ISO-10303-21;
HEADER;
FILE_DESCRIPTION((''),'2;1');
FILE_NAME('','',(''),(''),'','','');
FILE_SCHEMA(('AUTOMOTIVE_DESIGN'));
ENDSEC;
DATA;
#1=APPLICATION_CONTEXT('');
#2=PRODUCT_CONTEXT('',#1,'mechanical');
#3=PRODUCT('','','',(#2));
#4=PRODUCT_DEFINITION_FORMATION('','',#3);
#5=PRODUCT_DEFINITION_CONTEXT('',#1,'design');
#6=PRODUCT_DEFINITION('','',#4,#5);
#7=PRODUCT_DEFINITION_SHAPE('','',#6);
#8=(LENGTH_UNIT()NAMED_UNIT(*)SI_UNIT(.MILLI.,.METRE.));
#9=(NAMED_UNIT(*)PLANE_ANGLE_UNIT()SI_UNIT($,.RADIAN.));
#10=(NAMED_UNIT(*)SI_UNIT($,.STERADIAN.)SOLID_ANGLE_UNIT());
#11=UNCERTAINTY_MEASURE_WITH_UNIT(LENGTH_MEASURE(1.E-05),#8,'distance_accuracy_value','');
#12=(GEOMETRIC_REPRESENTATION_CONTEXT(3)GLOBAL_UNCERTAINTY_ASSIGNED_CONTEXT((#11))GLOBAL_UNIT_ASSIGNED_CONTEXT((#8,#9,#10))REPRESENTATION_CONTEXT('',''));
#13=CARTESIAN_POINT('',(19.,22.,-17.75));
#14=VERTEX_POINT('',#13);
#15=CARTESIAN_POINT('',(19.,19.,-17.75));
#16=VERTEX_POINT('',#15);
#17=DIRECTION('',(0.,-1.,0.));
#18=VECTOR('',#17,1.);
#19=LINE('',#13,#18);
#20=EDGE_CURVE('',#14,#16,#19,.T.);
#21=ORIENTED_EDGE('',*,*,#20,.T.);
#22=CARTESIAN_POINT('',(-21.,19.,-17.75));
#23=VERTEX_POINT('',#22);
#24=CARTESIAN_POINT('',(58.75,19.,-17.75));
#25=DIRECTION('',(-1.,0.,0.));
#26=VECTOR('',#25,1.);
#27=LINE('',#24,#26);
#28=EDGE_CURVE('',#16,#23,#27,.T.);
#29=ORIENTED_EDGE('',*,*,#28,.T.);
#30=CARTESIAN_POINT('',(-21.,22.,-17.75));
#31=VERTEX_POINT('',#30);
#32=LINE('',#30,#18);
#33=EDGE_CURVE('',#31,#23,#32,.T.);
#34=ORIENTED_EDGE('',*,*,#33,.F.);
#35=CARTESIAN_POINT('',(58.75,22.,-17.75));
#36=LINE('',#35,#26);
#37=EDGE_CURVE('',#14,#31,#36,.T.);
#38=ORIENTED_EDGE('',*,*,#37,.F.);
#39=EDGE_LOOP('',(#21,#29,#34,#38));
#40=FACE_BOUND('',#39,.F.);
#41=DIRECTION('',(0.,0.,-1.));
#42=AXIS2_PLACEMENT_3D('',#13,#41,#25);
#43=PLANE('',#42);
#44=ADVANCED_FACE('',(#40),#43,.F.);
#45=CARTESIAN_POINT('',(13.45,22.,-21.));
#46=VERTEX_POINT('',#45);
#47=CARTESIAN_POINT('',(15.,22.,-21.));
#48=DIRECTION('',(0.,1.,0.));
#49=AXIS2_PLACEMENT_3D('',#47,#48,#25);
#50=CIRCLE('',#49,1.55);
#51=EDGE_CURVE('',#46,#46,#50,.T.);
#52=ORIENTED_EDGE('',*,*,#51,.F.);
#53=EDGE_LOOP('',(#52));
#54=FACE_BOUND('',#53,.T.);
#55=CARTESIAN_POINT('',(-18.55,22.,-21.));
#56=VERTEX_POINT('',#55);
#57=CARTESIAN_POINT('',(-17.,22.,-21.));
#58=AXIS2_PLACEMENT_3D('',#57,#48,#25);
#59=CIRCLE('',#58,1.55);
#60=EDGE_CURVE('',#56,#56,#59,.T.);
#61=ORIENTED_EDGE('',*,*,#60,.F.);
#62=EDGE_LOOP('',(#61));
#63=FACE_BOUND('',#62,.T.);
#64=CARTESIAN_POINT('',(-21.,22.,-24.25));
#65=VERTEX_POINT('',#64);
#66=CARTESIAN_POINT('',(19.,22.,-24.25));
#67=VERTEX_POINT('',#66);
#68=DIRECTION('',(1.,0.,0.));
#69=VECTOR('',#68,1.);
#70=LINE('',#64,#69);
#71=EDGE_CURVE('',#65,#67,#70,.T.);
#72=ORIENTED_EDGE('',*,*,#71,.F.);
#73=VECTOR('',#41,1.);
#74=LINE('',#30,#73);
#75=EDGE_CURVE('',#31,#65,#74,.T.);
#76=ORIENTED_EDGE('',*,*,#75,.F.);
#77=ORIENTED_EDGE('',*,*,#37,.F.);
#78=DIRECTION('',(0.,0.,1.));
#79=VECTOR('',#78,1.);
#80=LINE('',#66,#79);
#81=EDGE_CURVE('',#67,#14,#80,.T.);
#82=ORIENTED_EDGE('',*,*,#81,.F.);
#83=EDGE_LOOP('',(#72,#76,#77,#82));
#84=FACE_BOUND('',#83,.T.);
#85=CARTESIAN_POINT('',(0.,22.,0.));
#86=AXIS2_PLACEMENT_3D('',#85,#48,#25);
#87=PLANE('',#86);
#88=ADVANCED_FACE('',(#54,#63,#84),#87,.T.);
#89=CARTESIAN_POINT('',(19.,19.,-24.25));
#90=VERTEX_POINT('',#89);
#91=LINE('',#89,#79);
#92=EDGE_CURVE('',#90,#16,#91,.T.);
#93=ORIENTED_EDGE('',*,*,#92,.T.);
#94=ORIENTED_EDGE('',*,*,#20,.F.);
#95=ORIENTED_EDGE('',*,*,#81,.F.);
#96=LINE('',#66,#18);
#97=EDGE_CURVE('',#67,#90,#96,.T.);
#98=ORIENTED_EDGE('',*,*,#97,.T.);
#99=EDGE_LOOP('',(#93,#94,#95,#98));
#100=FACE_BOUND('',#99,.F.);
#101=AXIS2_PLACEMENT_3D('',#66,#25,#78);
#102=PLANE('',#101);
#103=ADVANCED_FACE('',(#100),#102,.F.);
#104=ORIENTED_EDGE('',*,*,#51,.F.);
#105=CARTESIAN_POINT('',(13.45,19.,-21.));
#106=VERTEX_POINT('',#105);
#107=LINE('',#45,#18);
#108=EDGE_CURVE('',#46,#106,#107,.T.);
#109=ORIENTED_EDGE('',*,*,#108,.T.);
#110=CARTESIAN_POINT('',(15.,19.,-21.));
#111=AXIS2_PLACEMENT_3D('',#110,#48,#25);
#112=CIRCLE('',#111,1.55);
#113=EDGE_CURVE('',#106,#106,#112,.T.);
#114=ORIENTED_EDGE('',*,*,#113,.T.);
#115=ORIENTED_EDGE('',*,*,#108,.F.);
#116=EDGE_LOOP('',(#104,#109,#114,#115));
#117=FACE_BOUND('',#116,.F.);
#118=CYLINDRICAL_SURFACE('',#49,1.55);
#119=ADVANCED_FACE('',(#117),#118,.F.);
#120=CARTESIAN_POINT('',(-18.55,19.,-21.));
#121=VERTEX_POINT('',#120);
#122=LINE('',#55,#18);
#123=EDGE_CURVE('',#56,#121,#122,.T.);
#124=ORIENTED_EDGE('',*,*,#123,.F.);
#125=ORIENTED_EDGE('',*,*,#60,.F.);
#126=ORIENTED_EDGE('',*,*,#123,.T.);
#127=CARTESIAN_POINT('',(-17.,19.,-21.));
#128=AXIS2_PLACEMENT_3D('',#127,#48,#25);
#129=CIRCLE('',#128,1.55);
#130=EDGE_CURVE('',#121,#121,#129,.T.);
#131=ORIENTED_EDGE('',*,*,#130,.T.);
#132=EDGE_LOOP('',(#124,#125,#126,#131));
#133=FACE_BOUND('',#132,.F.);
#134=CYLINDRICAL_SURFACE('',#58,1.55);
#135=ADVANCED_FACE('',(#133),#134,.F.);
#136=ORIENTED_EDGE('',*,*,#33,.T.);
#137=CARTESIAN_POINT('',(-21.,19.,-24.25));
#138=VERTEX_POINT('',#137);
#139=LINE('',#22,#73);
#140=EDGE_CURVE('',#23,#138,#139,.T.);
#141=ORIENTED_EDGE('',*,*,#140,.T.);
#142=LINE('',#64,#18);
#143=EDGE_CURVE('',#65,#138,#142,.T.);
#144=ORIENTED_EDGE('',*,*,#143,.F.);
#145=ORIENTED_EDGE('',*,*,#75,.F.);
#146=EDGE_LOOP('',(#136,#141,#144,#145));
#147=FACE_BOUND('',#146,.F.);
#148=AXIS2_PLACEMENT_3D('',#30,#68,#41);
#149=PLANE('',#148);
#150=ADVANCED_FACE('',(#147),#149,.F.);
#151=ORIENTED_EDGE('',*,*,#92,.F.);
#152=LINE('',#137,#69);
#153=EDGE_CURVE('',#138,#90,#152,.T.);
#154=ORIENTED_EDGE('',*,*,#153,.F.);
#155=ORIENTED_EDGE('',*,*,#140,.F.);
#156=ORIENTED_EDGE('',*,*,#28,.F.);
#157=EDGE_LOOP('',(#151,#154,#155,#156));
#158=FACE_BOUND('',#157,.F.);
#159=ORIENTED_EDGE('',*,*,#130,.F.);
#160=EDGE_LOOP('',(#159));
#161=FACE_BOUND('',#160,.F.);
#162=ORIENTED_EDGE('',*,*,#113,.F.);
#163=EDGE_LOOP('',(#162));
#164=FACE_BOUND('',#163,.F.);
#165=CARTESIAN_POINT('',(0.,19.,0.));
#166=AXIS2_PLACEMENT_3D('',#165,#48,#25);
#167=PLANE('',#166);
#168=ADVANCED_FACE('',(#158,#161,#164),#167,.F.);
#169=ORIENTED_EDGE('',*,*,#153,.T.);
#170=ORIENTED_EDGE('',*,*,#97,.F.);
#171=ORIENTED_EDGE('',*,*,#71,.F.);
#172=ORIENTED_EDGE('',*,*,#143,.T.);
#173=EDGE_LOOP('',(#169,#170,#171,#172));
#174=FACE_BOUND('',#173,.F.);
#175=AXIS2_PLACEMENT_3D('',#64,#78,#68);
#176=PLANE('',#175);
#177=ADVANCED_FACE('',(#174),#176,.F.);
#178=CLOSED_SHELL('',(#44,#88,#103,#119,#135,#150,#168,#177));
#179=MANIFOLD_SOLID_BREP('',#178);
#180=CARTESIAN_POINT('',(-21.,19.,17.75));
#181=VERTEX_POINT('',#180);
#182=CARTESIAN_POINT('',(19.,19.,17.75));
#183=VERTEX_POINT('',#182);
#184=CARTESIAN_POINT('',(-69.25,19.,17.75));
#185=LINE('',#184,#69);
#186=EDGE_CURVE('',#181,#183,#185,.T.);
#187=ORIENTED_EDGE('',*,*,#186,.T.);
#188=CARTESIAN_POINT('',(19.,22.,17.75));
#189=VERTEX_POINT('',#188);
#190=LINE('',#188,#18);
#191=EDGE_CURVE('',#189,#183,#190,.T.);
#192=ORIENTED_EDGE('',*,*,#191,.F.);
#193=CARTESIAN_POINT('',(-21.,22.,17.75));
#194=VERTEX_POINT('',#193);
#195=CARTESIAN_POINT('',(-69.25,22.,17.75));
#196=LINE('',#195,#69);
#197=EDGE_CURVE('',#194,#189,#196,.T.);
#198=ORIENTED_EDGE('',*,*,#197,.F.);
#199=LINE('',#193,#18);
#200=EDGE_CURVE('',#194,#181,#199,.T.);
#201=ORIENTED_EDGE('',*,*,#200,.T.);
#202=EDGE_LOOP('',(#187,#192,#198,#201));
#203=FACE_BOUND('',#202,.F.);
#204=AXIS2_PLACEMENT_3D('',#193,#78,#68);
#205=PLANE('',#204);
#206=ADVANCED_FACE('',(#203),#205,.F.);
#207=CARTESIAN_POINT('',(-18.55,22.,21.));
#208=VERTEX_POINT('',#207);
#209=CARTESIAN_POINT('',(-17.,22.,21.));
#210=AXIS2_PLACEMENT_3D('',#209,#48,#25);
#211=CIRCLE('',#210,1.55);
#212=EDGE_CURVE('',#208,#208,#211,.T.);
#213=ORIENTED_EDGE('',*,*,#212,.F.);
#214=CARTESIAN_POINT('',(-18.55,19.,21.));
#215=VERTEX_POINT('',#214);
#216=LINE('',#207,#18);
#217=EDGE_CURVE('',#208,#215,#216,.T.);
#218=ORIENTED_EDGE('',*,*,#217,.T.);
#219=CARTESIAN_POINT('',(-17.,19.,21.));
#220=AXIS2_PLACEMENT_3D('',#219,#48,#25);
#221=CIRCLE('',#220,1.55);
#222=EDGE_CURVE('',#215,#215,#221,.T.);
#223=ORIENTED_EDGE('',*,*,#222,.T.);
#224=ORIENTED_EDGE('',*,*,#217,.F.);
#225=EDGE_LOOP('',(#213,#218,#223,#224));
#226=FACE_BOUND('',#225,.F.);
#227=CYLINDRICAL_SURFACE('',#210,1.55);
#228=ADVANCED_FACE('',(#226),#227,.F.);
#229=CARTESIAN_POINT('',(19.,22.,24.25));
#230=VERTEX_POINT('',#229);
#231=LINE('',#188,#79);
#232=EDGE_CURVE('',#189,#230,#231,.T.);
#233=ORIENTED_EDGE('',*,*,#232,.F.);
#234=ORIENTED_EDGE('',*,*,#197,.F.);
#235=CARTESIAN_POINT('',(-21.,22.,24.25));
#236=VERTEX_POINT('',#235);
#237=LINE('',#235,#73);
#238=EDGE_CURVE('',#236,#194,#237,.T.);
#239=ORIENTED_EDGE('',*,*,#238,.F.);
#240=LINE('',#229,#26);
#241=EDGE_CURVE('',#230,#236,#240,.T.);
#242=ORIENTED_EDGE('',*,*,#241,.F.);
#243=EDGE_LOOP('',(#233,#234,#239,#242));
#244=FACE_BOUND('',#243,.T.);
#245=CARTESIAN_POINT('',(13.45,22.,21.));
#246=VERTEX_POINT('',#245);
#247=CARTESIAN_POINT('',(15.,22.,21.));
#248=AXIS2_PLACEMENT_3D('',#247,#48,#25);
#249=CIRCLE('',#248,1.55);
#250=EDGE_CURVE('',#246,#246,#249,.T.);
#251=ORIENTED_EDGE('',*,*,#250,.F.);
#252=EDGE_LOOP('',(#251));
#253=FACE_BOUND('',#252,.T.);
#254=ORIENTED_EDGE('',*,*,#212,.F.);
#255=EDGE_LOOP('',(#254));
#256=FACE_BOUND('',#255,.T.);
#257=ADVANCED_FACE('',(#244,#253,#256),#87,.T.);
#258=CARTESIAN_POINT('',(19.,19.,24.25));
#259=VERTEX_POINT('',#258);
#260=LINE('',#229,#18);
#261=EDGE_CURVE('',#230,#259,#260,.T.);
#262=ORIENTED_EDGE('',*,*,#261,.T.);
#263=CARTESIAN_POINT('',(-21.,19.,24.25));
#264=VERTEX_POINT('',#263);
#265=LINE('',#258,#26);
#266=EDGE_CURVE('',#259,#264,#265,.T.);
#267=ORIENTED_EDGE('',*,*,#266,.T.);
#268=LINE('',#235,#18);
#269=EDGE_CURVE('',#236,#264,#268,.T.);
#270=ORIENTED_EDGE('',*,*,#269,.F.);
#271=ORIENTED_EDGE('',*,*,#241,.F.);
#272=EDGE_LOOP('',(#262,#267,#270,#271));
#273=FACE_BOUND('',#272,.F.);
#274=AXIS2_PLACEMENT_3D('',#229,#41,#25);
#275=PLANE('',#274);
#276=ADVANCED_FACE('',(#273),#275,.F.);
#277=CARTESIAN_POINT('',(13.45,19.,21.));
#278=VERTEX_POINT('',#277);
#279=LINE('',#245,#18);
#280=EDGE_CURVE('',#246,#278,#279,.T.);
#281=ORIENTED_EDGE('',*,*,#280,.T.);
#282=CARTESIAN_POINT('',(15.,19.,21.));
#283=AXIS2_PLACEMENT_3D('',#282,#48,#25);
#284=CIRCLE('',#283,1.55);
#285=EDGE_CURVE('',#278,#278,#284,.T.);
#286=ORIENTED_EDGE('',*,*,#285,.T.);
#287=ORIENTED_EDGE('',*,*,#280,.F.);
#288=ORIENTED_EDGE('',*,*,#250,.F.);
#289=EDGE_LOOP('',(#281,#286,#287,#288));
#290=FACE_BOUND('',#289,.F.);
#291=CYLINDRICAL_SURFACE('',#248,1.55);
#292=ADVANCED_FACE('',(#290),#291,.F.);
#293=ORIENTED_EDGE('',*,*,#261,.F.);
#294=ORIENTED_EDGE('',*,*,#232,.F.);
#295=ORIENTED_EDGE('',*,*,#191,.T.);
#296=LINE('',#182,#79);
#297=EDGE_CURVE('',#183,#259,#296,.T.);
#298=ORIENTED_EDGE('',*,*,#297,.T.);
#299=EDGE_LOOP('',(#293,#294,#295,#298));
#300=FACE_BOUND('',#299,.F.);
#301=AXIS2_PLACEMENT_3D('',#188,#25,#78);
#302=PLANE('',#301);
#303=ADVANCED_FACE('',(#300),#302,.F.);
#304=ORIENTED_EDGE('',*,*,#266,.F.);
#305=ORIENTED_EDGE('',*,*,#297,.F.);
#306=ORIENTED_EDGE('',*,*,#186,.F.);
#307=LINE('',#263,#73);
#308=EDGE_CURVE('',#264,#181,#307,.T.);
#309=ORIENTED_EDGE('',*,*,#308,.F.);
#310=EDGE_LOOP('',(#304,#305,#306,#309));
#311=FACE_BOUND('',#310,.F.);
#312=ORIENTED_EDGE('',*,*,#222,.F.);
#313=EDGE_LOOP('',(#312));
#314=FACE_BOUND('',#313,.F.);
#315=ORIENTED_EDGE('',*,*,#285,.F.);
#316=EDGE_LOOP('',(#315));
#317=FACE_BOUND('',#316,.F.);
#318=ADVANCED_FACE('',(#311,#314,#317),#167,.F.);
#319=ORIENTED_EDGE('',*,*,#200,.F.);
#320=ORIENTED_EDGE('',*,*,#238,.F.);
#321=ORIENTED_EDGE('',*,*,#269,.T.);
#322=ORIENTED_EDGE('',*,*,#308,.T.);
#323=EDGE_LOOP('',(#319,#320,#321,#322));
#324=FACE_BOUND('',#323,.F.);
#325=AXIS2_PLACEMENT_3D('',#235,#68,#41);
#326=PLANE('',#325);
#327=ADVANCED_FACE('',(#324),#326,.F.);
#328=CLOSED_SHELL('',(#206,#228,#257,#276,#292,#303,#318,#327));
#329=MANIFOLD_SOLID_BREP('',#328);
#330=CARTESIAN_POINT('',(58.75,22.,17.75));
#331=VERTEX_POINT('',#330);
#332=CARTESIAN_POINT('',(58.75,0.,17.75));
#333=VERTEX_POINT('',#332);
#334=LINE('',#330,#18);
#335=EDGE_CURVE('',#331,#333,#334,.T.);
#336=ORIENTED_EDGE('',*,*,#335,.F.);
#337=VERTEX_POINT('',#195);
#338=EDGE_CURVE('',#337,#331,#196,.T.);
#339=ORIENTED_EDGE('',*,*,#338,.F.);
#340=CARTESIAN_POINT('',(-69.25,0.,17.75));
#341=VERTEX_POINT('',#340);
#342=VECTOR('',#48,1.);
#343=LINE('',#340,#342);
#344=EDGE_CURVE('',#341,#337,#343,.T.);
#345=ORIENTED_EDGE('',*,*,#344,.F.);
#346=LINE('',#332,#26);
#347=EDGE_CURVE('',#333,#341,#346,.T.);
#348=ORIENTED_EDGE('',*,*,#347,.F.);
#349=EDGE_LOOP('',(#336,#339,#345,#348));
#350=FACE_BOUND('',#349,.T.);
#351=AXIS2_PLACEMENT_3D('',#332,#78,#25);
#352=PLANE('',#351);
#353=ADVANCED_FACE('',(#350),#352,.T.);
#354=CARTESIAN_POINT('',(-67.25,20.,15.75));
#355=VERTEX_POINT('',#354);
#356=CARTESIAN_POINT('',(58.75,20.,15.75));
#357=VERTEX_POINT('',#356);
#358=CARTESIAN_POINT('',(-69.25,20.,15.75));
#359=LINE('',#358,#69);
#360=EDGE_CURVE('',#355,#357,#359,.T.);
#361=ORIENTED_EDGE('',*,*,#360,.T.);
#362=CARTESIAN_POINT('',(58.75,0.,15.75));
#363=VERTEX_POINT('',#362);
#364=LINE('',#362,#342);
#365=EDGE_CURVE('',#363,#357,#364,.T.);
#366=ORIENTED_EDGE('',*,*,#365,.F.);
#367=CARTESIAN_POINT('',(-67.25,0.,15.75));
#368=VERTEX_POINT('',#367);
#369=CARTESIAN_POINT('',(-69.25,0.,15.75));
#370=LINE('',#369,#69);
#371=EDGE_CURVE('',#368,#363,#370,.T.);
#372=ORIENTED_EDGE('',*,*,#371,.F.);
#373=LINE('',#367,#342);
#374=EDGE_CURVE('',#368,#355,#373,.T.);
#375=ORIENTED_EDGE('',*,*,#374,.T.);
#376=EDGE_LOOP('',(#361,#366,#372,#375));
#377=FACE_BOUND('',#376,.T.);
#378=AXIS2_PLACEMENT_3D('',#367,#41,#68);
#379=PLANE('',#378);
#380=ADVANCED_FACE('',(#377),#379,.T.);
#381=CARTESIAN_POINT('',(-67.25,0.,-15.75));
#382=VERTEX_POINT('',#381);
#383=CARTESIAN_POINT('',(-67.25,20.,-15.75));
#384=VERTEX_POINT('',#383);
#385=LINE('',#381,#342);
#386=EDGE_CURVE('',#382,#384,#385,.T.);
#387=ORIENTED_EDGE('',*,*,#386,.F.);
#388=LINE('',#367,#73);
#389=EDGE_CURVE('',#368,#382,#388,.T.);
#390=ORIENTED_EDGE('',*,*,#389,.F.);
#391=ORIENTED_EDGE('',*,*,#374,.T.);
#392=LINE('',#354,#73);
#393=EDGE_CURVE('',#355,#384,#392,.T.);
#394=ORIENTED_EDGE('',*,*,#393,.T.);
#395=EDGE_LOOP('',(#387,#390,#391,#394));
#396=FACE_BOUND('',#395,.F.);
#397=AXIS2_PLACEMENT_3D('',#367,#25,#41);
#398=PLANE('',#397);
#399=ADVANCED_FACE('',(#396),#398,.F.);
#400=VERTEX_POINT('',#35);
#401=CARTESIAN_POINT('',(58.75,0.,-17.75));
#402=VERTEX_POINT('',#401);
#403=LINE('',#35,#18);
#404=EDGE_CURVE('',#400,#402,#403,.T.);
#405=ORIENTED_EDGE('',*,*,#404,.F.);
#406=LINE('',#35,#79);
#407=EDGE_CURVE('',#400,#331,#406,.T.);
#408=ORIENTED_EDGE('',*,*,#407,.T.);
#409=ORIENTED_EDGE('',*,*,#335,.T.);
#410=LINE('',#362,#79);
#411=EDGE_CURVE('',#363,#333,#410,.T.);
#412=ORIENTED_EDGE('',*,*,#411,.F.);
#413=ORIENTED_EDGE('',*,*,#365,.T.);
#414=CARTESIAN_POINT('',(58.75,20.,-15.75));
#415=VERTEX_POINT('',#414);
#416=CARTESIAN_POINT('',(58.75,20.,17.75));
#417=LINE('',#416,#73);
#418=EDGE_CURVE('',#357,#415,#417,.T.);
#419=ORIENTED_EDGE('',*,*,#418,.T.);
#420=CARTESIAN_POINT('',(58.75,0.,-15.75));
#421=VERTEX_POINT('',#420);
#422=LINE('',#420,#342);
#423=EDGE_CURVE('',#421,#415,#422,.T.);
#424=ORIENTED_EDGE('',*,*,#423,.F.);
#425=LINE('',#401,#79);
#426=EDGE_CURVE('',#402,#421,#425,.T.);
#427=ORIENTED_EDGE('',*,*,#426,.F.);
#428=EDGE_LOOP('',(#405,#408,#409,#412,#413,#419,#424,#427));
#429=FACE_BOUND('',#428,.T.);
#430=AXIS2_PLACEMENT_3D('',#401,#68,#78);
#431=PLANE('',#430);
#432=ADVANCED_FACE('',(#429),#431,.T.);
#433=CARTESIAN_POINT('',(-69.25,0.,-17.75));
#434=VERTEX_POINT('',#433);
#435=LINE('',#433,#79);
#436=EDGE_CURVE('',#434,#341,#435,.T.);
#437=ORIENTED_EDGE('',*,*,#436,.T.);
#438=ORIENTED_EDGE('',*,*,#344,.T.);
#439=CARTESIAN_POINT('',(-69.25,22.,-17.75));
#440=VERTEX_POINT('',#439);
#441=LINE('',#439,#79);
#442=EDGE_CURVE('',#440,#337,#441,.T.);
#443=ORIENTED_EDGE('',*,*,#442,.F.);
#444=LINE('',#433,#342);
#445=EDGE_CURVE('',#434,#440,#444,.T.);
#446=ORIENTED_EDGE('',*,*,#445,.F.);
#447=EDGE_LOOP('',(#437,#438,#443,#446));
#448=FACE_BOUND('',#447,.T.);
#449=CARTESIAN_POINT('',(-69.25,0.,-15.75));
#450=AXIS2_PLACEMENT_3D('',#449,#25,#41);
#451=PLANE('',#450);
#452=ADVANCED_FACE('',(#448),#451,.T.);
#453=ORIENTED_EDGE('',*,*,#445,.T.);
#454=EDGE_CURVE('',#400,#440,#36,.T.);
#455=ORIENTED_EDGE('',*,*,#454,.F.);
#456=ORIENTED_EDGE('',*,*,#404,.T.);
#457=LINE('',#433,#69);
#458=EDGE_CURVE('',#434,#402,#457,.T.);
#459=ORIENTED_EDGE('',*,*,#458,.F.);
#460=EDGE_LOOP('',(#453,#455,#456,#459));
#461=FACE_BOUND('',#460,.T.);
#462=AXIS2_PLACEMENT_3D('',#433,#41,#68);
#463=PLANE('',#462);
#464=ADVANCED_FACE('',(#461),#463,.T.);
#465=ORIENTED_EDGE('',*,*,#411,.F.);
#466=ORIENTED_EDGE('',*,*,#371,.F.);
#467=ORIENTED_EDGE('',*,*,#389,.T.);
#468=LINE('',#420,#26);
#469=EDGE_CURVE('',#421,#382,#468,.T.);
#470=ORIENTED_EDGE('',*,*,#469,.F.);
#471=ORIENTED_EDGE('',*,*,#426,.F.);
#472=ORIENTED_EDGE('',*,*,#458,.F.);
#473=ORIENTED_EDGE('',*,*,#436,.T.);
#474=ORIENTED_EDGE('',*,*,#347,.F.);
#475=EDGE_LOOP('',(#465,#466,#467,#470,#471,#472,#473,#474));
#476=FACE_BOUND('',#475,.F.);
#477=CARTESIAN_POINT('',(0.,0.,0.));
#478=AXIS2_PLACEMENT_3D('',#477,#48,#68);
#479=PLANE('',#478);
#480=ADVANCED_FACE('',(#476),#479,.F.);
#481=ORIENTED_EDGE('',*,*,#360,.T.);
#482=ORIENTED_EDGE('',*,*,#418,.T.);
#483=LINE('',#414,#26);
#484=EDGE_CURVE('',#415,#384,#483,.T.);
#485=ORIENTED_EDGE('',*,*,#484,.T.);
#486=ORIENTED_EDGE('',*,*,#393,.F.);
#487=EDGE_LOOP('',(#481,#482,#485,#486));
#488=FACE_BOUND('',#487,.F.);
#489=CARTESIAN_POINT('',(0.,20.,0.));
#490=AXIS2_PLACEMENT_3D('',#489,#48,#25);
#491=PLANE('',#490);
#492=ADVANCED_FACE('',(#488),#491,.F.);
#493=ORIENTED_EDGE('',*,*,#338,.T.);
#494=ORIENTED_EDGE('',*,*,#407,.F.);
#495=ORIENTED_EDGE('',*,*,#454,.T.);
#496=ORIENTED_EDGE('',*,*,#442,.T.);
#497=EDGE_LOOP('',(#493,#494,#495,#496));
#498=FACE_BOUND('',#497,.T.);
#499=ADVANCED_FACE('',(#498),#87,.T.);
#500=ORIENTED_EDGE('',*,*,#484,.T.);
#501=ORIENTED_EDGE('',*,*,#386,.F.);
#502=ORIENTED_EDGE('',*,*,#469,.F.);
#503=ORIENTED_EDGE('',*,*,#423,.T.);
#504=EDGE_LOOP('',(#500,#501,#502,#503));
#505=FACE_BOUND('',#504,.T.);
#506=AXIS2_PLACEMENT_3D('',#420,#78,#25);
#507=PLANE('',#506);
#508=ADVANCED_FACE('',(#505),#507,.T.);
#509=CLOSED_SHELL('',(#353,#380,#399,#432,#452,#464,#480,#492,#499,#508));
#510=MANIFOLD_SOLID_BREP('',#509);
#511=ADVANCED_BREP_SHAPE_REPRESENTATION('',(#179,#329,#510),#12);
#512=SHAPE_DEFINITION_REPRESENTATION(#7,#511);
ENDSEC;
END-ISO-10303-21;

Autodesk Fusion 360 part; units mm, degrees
sketch "base" plane through (0, 0, 0) normal (0, 1, 0) x (1, 0, 0)
  line L0 (-67, 15.5) -> (67, 15.5) construction
  line L1 (67, 15.5) -> (67, -15.5) construction
  line L2 (67, -15.5) -> (-67, -15.5) construction
  line L3 (-67, -15.5) -> (-67, 15.5) construction
  line L4 (0, 15.5) -> (0, -15.5) construction
  line L5 (-67, 0) -> (67, 0) construction
  line L6 (-69.25, 17.75) -> (58.75, 17.75)
  line L7 (58.75, 17.75) -> (58.75, 15.75)
  line L8 (58.75, 15.75) -> (-69.25, 15.75)
  line L9 (-69.25, 15.75) -> (-69.25, 17.75)
  line L10 (-69.25, -15.75) -> (58.75, -15.75)
  line L11 (58.75, -15.75) -> (58.75, -17.75)
  line L12 (58.75, -17.75) -> (-69.25, -17.75)
  line L13 (-69.25, -17.75) -> (-69.25, -15.75)
  line L14 (-69.25, 15.75) -> (-69.25, -15.75)
  line L15 (-67.25, -15.75) -> (-67.25, 15.75)
  dimension "d1" = 134
  dimension "d2" = 31
  dimension "d3" = 128
  dimension "d4" = 2
  dimension "d5" = 2
  dimension "margin" = 0.25
  dimension "d7" = 0.25
  dimension "d8" = 0.25
extrude "Extrude1" add sketch "base" along normal blind 20 makes body 1
sketch "top" plane through (0, 20, 0) normal (0, 1, 0) x (-1, 0, 0)
  line L0 (-58.75, 15.75) -> (67.25, 15.75)
  line L1 (67.25, 15.75) -> (67.25, -15.75)
  line L2 (67.25, -15.75) -> (-58.75, -15.75)
  line L3 (-58.75, -15.75) -> (-58.75, -17.75)
  line L4 (-58.75, -17.75) -> (69.25, -17.75)
  line L5 (69.25, -17.75) -> (69.25, 17.75)
  line L6 (69.25, 17.75) -> (-58.75, 17.75)
  line L7 (-58.75, 17.75) -> (-58.75, 15.75)
  line L8 (69.25, -17.75) -> (-58.75, -17.75)
  line L9 (-58.75, -17.75) -> (-58.75, 17.75)
  line L10 (-58.75, 17.75) -> (69.25, 17.75)
  line L11 (69.25, 17.75) -> (69.25, -17.75)
extrude "Extrude2" add sketch "top" along normal blind 2 bodies 1
sketch "wing supports" plane through (0, 22, 0) normal (0, 1, 0) x (-1, 0, 0)
  line L0 (69.25, 17.75) -> (-58.75, 17.75)
  line L1 (-58.75, 17.75) -> (-58.75, -17.75)
  line L2 (-58.75, -17.75) -> (69.25, -17.75)
  line L3 (69.25, -17.75) -> (69.25, 17.75)
  line L4 (21, -24.25) -> (-19, -24.25)
  line L5 (-19, -24.25) -> (-19, -17.75)
  line L6 (-19, -17.75) -> (21, -17.75)
  line L7 (21, -17.75) -> (21, -24.25)
  line L8 (21, 17.75) -> (-19, 17.75)
  line L9 (-19, 17.75) -> (-19, 24.25)
  line L10 (-19, 24.25) -> (21, 24.25)
  line L11 (21, 24.25) -> (21, 17.75)
  circle A0 centre (17, 21) radius 1.55
  circle A1 centre (-15, 21) radius 1.55
  line L12 (17, 21) -> (-15, 21) construction
  circle A2 centre (17, -21) radius 1.55
  circle A3 centre (-15, -21) radius 1.55
  line L13 (17, -21) -> (-15, -21) construction
  circle A4 centre (17, 21) radius 2.75
  circle A5 centre (-15, 21) radius 2.75
  circle A6 centre (17, -21) radius 2.75
  circle A7 centre (-15, -21) radius 2.75
  dimension "d13" = 6.5
  dimension "d14" = 40
  dimension "d15" = 19
  dimension "d16" = 3.1
  dimension "d17" = 3.25
  dimension "d18" = 4
  dimension "d19" = 4
  dimension "d20" = 3.25
  dimension "d21" = 4
  dimension "d22" = 4
  dimension "d25" = 5.5
extrude "Extrude3" add sketch "wing supports" against normal blind 3 separate body contours L0 L8 L9 L10 L11 | L2 L4 L5 L6 L7 | A4 | A5 | A6 | A7 makes body 2 at (18.1833, 22, -21) makes body 3 at (18.1833, 22, 21)
extrude "Extrude4" [suppressed]
equation "d5 = d4"
equation "d7 = margin"
equation "d8 = margin"
equation "d19 = d18"
equation "d20 = d17"
equation "d21 = d18"
equation "d22 = d18"
